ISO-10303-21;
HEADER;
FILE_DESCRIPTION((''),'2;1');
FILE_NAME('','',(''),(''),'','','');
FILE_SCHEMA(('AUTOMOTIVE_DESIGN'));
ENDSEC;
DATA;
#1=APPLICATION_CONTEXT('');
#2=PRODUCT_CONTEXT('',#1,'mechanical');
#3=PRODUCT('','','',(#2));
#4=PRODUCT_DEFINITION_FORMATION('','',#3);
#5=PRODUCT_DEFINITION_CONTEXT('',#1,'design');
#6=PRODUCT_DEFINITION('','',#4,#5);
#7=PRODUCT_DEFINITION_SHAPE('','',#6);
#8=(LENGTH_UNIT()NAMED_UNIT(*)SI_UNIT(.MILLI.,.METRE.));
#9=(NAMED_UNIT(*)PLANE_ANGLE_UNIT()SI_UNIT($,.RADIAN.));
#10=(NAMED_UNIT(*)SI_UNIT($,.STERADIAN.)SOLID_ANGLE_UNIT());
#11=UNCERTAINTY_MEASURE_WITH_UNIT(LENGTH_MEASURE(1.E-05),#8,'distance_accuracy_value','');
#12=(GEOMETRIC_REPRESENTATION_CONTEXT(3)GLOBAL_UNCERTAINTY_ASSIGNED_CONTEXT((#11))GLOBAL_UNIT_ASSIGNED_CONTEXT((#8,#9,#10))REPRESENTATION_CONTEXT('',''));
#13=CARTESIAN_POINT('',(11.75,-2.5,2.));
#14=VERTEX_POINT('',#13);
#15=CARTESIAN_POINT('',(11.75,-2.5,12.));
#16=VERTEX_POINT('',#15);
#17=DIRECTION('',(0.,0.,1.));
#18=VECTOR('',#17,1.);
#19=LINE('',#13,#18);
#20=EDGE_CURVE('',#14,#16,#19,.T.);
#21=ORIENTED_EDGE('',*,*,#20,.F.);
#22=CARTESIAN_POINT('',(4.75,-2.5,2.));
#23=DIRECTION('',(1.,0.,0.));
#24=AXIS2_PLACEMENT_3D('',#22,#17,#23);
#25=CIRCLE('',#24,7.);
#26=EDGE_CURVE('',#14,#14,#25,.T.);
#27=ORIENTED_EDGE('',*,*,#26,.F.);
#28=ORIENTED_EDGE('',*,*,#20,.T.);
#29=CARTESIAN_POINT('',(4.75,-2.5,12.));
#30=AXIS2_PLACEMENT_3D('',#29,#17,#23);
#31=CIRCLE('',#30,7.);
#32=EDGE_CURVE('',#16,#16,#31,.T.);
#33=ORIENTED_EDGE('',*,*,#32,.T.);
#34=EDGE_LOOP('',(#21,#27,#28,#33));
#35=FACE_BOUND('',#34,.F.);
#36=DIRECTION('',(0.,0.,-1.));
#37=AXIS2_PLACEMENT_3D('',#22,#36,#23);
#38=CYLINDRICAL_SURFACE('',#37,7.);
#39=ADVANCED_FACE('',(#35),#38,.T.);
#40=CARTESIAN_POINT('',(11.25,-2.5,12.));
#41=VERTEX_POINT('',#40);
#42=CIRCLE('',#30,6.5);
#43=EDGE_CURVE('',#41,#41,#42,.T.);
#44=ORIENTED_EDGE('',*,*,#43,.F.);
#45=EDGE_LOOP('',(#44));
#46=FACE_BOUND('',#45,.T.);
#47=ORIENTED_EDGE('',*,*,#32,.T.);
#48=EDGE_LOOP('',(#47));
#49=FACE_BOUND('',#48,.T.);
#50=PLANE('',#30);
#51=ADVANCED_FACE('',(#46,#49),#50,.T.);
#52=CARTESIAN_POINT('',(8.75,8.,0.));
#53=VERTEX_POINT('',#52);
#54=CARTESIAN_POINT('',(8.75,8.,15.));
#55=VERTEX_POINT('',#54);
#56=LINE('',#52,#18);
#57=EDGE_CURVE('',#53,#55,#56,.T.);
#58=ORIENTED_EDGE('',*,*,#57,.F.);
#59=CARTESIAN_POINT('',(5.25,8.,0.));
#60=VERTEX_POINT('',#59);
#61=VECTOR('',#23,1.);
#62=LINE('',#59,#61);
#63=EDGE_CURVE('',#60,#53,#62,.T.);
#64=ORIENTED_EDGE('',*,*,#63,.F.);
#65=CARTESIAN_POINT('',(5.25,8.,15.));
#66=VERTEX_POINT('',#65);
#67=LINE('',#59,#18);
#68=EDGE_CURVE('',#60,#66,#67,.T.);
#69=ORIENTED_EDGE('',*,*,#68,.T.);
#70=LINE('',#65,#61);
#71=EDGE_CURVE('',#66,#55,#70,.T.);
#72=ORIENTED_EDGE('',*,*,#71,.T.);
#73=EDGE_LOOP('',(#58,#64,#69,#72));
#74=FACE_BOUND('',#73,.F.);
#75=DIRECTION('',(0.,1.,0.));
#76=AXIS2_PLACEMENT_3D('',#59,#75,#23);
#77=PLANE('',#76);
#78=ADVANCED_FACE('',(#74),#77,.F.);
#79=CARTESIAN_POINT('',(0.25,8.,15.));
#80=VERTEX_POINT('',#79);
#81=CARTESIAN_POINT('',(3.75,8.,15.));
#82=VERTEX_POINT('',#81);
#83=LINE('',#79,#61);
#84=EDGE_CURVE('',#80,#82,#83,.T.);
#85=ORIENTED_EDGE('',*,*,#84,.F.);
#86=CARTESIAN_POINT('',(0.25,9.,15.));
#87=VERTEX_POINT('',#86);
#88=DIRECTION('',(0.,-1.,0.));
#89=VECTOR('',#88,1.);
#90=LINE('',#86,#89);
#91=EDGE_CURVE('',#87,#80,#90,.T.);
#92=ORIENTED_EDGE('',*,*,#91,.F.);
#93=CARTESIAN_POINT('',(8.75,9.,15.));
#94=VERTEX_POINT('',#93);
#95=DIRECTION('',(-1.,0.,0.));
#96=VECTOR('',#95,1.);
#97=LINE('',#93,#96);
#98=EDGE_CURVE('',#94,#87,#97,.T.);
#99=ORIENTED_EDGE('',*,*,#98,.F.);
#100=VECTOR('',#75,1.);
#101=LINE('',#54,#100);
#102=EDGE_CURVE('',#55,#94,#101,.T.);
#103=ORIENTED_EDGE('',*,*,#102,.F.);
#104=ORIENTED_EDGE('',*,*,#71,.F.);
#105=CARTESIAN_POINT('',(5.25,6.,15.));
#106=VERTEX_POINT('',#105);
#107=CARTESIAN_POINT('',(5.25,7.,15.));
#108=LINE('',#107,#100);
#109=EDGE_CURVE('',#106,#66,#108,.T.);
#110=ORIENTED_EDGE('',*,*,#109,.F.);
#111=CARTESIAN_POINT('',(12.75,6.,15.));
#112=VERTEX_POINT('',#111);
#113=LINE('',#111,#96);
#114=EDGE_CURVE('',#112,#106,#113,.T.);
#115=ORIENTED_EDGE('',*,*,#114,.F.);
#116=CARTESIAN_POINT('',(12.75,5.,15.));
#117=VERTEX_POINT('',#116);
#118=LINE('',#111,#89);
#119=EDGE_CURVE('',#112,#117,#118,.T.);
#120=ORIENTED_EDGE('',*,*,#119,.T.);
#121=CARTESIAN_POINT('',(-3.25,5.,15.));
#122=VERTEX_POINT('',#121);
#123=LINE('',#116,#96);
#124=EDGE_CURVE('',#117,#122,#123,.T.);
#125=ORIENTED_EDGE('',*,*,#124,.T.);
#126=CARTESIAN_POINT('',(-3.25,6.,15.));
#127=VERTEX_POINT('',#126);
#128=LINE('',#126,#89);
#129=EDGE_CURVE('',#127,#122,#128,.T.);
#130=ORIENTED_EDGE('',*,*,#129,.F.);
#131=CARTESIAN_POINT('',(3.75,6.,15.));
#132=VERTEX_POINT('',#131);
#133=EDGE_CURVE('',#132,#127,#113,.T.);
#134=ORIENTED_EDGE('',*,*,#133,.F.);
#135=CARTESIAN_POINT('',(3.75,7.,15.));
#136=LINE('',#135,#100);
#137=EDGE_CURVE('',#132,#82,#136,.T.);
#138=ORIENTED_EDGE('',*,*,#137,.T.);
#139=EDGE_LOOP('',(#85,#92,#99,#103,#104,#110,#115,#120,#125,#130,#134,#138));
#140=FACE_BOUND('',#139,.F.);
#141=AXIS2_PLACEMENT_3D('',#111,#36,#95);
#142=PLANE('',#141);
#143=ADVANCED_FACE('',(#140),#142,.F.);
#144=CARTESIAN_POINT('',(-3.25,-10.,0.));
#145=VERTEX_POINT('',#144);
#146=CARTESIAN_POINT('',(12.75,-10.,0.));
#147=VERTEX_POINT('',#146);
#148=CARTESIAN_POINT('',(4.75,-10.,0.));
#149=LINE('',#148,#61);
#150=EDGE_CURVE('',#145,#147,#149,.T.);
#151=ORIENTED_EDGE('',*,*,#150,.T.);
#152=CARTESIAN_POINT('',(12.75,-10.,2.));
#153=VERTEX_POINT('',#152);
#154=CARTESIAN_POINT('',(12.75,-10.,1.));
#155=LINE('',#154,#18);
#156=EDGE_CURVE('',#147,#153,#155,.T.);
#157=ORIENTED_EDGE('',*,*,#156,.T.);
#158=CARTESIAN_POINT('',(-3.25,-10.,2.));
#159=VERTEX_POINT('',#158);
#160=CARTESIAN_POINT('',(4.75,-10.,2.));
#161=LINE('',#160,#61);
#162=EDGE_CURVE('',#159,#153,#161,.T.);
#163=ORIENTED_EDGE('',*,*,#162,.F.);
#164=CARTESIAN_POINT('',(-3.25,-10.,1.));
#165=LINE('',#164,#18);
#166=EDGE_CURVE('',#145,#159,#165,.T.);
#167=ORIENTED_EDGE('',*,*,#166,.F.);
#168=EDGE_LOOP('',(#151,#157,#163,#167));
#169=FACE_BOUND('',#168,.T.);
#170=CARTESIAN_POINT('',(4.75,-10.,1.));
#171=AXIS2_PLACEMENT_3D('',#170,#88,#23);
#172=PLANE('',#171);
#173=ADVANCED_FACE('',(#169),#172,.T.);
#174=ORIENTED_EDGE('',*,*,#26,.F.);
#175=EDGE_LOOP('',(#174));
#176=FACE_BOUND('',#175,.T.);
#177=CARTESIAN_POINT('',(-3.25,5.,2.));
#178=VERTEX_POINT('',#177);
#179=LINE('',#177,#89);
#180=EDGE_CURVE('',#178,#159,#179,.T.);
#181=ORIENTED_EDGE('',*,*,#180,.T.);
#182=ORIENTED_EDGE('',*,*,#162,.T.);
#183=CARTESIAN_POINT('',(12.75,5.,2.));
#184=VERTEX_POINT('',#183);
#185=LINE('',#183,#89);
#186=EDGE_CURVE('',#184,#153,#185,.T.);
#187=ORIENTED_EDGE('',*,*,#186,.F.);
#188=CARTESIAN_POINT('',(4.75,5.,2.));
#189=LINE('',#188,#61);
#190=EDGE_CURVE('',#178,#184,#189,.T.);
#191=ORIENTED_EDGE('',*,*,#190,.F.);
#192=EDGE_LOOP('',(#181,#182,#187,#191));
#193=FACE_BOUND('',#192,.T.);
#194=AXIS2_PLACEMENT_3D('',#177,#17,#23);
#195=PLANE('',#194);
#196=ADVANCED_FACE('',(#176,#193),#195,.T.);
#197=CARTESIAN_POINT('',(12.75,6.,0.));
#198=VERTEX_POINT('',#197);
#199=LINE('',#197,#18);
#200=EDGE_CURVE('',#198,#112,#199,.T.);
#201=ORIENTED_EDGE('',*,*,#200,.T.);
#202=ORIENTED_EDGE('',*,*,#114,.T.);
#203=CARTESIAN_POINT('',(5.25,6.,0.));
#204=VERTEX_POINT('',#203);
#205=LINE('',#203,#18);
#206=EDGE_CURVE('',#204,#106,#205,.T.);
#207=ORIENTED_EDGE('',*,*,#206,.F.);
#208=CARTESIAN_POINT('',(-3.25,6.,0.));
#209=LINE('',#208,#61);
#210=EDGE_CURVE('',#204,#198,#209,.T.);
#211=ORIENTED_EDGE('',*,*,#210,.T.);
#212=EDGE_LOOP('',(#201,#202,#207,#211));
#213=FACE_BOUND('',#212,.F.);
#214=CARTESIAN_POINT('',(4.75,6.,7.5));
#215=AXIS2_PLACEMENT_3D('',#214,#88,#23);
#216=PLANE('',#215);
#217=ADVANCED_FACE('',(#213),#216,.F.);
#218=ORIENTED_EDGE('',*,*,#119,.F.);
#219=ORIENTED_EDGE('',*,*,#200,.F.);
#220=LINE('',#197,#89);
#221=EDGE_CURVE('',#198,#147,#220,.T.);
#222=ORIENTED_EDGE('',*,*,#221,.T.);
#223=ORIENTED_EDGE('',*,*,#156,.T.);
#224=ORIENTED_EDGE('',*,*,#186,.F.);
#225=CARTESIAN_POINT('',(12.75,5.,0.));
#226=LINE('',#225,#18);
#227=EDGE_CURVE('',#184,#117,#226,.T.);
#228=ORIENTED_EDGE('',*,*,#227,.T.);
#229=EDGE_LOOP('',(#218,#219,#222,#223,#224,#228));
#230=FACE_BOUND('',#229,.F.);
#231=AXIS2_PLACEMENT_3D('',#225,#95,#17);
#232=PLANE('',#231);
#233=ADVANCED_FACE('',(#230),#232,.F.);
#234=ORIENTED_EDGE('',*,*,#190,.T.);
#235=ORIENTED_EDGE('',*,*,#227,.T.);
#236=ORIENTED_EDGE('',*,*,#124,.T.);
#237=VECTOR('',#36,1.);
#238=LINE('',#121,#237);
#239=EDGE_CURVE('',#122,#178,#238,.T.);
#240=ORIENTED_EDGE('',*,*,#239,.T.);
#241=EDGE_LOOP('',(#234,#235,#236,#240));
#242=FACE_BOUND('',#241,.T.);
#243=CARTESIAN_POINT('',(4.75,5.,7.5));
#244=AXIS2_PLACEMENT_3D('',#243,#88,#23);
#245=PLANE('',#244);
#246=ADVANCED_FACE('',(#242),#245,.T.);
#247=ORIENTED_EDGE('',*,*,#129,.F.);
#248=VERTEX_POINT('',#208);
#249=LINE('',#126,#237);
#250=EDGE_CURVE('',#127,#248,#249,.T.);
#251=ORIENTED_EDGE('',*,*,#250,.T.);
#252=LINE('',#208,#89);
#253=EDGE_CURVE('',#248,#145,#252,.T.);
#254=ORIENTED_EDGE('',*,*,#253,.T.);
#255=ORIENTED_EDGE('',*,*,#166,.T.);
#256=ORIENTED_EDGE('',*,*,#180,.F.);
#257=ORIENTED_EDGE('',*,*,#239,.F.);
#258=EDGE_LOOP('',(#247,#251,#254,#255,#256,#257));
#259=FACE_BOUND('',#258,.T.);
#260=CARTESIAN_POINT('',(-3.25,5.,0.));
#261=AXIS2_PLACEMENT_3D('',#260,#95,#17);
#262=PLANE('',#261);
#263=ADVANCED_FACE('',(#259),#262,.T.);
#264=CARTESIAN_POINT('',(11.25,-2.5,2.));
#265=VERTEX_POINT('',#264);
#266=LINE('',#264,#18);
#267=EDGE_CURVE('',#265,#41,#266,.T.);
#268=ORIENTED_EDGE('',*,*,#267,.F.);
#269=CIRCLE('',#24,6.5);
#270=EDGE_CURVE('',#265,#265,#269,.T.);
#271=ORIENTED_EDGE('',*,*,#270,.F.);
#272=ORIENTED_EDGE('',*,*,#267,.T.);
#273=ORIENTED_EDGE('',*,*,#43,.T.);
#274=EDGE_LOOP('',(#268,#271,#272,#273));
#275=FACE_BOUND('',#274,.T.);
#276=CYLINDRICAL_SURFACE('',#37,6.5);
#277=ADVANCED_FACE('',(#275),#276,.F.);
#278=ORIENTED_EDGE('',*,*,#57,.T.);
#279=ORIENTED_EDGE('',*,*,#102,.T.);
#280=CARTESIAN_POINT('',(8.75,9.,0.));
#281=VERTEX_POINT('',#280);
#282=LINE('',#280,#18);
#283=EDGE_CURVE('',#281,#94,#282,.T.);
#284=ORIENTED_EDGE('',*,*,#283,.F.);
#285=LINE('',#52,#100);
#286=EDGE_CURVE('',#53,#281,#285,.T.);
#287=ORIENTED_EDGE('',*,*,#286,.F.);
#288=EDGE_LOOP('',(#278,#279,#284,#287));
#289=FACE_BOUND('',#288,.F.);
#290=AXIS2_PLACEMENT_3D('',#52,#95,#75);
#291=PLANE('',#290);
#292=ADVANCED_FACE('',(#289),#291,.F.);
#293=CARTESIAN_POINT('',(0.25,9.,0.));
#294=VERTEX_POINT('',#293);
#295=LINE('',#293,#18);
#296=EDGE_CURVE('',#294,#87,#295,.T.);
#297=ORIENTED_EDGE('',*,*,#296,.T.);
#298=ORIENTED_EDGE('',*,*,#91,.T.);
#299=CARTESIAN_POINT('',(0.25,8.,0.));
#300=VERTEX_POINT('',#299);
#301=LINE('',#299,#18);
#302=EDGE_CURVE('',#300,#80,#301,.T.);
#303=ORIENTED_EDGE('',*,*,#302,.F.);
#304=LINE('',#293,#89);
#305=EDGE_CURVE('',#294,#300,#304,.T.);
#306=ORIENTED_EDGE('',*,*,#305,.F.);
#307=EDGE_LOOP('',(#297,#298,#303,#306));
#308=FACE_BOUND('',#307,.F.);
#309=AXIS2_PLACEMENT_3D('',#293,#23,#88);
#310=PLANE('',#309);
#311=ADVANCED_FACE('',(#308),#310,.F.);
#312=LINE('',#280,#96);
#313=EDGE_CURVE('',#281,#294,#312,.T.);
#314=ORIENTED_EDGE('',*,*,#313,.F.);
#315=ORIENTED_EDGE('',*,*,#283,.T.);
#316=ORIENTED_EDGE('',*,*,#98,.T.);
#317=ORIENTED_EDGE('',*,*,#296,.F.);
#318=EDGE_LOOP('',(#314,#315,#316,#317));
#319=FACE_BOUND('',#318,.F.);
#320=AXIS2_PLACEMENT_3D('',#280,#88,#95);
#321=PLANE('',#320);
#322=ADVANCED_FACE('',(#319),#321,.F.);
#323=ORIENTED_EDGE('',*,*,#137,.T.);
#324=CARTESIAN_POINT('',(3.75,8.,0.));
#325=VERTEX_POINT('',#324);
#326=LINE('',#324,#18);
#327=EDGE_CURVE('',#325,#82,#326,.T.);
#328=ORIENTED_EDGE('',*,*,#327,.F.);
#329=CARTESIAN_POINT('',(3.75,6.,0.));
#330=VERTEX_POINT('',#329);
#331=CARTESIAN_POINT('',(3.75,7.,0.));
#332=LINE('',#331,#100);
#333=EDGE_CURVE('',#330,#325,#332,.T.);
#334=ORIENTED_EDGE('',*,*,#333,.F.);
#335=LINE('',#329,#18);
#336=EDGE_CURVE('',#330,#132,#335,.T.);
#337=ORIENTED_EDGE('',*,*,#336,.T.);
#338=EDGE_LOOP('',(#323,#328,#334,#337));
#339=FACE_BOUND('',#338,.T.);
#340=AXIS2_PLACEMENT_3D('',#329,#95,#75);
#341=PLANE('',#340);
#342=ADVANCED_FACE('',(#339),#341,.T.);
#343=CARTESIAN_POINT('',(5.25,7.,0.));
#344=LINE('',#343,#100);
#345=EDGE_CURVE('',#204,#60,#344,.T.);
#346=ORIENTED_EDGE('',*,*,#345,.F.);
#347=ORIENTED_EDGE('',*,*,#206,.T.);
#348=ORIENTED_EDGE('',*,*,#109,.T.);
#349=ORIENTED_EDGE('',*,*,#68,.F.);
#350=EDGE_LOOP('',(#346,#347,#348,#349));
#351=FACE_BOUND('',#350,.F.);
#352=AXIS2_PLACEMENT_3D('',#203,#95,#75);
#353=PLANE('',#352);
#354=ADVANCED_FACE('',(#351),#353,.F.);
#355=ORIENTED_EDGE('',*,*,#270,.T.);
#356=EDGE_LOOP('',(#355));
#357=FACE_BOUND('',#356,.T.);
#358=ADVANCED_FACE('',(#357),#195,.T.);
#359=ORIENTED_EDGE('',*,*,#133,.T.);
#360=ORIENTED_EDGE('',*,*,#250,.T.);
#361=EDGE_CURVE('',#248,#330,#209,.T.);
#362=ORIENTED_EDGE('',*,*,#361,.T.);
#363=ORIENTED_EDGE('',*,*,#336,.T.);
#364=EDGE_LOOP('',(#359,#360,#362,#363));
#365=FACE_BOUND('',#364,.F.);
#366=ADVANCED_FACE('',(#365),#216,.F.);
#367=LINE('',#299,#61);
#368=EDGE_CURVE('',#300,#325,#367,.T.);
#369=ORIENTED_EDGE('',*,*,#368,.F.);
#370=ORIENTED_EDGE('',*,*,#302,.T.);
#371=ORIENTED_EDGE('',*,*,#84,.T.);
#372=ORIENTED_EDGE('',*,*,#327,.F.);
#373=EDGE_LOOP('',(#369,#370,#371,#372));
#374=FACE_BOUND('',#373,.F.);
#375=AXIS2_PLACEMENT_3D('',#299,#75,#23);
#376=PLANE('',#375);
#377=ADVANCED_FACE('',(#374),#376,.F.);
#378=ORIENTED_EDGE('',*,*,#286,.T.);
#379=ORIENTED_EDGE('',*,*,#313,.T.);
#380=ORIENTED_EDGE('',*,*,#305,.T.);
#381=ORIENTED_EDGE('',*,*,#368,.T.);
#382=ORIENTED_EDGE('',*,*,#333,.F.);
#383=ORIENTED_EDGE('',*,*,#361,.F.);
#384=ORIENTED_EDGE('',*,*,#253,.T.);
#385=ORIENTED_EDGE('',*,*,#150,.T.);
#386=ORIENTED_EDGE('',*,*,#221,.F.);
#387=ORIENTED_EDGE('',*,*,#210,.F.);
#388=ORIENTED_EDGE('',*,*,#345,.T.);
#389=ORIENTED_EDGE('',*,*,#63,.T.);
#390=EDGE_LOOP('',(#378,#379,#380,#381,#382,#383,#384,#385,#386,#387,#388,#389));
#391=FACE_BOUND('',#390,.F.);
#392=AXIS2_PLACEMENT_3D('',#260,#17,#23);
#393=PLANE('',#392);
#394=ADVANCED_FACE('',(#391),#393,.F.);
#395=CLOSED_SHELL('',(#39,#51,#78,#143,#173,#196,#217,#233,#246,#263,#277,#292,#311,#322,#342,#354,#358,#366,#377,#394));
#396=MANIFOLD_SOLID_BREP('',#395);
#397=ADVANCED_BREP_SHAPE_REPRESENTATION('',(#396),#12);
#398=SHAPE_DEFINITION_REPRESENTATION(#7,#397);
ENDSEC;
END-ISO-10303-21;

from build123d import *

# Parameters (mm, degrees)
F0_W     = 1.5
F0_H     = 2
F1_DEPTH = 15
F3_DEPTH = 1
F4_W     = 16
F4_H     = 2
F5_DEPTH = 15
F6_R     = 7
F6_R_2   = 6.5
F7_DEPTH = 10


with BuildPart() as f1:
    # F0 (on Top) → F1 (new body)
    with BuildSketch(Plane.XY):
        with Locations((4.5, 7)):
            Rectangle(F0_W, F0_H)
        Polygon((0.25, 8), (3.75, 8), (5.25, 8), (8.75, 8), (8.75, 9), (0.25, 9), align=None)
    extrude(amount=F1_DEPTH)

    # F2 (on face) → F3 (join)
    with BuildSketch(Plane.XZ.offset(-6)):
        Polygon((12.75, 15), (3.75, 15), (-3.25, 15), (-3.25, 0), (12.75, 0), align=None)
    extrude(amount=F3_DEPTH)

    # F4 (on face) → F5 (join)
    with BuildSketch(Plane.XZ.offset(-5)):
        with Locations((4.75, 1)):
            Rectangle(F4_W, F4_H)
    extrude(amount=F5_DEPTH)

    # F6 (on face) → F7 (join)
    with BuildSketch(Plane.XY.offset(2)):
        with Locations((4.75, -2.5)):
            Circle(F6_R)
        with Locations((4.75, -2.5)):
            Circle(F6_R_2, mode=Mode.SUBTRACT)
    extrude(amount=F7_DEPTH)


solid = f1.part
